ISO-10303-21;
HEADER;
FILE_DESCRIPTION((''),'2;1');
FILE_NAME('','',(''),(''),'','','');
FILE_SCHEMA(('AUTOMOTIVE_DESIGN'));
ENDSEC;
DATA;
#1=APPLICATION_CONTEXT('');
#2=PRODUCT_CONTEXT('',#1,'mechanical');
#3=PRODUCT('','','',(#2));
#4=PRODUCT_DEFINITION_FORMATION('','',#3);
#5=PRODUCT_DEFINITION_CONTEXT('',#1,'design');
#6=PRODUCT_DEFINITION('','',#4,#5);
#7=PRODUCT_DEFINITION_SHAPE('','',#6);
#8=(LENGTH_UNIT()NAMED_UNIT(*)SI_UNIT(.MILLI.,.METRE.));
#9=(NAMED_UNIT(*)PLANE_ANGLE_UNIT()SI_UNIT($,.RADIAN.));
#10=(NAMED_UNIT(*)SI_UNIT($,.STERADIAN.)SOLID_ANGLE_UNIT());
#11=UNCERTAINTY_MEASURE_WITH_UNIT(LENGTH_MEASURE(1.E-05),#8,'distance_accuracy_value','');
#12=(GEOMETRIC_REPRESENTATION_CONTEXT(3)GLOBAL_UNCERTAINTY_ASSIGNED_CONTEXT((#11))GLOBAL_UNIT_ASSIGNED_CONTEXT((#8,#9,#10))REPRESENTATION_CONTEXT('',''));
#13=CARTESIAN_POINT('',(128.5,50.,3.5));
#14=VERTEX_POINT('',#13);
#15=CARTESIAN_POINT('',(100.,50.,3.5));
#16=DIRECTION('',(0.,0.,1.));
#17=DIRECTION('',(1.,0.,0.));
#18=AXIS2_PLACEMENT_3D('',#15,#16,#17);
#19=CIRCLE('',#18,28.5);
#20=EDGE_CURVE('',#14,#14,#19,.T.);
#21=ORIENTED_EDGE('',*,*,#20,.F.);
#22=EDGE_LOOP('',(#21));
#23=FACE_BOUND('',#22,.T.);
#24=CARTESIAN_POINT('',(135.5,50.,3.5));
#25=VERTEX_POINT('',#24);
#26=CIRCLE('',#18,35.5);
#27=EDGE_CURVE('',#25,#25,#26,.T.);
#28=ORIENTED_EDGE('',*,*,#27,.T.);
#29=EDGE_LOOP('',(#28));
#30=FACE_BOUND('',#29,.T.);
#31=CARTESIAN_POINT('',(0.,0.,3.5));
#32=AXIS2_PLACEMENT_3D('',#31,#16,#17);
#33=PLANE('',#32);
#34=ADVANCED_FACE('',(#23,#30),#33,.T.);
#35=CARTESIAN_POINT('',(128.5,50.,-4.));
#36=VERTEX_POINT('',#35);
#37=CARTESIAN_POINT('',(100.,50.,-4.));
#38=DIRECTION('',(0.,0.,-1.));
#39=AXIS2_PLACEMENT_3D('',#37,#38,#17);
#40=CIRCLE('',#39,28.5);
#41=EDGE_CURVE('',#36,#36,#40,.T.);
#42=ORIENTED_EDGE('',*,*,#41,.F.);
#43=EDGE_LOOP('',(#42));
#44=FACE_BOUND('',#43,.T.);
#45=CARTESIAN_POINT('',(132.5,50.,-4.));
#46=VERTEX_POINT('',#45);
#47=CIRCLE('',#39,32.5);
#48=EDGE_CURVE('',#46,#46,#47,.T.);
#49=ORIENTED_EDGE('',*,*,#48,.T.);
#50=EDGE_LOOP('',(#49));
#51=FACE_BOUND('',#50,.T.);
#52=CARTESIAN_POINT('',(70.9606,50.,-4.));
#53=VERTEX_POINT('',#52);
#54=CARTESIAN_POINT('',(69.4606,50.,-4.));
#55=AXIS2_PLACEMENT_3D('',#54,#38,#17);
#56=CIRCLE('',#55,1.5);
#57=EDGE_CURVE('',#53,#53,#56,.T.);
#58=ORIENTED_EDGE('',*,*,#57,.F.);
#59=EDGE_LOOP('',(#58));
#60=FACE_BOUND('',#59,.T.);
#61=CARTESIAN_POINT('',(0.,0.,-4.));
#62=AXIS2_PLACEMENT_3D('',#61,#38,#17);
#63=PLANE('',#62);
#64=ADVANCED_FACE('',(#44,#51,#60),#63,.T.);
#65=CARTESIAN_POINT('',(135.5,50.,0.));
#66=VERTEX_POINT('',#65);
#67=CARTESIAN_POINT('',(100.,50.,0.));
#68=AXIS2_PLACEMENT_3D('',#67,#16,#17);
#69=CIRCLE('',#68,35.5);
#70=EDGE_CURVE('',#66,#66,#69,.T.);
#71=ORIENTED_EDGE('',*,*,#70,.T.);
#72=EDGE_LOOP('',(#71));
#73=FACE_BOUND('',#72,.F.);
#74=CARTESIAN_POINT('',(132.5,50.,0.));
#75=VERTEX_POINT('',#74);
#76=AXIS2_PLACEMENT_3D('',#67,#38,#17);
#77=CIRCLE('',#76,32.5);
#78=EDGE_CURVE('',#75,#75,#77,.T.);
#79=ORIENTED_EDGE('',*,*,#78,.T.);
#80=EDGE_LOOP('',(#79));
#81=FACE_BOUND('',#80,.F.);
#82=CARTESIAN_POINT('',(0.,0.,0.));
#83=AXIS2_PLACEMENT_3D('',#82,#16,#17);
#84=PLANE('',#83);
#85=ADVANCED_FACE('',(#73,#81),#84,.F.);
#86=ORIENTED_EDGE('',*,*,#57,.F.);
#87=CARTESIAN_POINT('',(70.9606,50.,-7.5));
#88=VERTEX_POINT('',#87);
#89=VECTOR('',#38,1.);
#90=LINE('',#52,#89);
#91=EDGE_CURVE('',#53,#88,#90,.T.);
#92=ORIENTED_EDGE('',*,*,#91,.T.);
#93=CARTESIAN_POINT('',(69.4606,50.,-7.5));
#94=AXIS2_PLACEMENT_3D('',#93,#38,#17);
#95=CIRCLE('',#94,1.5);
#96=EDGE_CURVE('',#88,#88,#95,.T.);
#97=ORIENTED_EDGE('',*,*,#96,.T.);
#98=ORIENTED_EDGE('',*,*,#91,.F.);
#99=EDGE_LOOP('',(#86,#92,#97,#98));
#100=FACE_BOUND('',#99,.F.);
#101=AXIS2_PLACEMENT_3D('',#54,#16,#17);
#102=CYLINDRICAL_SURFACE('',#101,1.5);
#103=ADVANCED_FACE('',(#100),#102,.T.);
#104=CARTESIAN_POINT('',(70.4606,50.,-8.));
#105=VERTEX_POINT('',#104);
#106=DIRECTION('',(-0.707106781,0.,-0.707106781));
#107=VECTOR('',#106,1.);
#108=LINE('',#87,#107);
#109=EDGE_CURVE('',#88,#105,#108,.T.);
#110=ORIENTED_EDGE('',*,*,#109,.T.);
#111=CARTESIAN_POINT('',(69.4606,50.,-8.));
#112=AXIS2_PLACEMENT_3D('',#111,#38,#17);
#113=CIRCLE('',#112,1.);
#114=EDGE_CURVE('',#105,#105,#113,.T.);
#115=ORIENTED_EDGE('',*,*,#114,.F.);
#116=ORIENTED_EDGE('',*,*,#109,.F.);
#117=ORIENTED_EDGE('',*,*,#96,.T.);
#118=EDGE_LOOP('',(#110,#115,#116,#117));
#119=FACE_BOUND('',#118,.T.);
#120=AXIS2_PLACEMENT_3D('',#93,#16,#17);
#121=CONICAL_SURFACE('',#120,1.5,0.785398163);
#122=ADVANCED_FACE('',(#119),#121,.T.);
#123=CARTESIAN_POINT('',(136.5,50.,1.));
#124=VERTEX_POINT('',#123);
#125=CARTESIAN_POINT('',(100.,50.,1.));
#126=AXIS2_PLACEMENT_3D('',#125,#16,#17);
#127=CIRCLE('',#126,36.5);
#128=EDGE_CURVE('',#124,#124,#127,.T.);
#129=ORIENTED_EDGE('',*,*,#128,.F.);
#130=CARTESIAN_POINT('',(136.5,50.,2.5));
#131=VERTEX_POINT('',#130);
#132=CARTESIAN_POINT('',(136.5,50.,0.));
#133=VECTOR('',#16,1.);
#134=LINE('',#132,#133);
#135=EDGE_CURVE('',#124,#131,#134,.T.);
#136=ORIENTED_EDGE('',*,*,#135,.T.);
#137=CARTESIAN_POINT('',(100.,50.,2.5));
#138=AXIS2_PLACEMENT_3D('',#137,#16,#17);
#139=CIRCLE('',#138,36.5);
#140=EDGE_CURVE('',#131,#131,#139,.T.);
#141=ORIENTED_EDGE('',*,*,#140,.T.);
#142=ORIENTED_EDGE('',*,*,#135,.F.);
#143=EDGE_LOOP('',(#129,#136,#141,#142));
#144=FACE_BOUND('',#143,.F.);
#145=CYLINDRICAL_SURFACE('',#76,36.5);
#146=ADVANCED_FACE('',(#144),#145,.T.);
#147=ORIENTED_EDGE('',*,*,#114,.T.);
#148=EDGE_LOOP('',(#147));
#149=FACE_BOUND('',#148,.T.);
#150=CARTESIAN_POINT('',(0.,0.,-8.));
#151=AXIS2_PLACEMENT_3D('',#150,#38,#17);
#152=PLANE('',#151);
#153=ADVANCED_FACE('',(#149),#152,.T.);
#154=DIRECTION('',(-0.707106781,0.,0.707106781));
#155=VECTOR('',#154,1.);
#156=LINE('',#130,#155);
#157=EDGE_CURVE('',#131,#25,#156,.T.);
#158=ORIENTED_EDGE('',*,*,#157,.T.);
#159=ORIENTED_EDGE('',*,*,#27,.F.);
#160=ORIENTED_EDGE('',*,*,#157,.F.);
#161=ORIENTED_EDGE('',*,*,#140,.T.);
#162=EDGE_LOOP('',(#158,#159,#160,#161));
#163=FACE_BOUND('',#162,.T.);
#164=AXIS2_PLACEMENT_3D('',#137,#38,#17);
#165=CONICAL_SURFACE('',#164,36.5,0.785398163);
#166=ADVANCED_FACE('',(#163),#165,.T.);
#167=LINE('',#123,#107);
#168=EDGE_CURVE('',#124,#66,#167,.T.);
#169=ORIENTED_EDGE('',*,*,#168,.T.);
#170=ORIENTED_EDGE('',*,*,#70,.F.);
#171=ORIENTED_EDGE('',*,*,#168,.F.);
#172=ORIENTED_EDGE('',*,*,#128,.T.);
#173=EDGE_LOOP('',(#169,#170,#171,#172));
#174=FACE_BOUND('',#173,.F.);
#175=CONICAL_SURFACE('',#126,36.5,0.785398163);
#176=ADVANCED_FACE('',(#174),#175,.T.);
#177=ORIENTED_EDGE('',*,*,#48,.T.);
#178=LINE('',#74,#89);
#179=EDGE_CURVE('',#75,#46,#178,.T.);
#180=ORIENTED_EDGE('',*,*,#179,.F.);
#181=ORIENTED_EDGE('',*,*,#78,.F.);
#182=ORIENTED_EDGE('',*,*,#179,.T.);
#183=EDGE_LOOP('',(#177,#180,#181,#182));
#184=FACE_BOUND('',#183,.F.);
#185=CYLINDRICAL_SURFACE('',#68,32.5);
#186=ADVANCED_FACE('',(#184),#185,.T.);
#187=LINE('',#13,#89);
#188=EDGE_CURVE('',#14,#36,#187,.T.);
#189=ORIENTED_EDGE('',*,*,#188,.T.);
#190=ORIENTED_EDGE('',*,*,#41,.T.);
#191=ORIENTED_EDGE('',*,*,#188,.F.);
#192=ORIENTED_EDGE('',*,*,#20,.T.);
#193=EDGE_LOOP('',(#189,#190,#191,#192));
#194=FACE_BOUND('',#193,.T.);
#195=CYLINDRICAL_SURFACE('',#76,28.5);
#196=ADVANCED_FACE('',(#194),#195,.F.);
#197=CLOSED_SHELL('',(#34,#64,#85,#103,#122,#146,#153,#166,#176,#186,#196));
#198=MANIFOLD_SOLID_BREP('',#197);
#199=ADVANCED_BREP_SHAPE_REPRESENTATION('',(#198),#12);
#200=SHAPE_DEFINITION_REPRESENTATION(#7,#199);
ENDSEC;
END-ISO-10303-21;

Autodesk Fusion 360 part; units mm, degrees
sketch "Esboço1" plane through (0, 0, 0) normal (0, 0, 1) x (1, 0, 0)
  circle A0 centre (100, 50) radius 36.5
  circle A1 centre (100, 50) radius 28.5
  dimension "d1" = 73
  dimension "d2" = 57
extrude "Extrusão1" add sketch "Esboço1" along normal blind 3.5
sketch "Esboço2" plane through (0, 0, 0) normal (0, 0, -1) x (1, 0, 0)
  circle A0 centre (100, -50) radius 28.5
  circle A1 centre (100, -50) radius 36.5
  circle A2 centre (100, -50) radius 32.5
  dimension "d5" = 65
extrude "Extrusão2" add sketch "Esboço2" along normal blind 4 contours A2
sketch "Esboço3" plane through (0, 0, -4) normal (0, 0, -1) x (1, 0, 0)
  circle A0 centre (100, -50) radius 28.5
  circle A1 centre (100, -50) radius 32.5
  line L0 (55, -50) -> (160, -50) construction
  circle A2 centre (69.4606, -50) radius 1.5
  dimension "d8" = 3
extrude "Extrusão3" add sketch "Esboço3" along normal blind 4 contours A2
chamfer "Chanfro1" distance 1 angle 45 2 edges at (65.9701, 36.801, 0) (65.9701, 36.801, 3.5)
chamfer "Chanfro2" distance 0.5 angle 45 1 edges at (68.0621, 50.5424, -8)
